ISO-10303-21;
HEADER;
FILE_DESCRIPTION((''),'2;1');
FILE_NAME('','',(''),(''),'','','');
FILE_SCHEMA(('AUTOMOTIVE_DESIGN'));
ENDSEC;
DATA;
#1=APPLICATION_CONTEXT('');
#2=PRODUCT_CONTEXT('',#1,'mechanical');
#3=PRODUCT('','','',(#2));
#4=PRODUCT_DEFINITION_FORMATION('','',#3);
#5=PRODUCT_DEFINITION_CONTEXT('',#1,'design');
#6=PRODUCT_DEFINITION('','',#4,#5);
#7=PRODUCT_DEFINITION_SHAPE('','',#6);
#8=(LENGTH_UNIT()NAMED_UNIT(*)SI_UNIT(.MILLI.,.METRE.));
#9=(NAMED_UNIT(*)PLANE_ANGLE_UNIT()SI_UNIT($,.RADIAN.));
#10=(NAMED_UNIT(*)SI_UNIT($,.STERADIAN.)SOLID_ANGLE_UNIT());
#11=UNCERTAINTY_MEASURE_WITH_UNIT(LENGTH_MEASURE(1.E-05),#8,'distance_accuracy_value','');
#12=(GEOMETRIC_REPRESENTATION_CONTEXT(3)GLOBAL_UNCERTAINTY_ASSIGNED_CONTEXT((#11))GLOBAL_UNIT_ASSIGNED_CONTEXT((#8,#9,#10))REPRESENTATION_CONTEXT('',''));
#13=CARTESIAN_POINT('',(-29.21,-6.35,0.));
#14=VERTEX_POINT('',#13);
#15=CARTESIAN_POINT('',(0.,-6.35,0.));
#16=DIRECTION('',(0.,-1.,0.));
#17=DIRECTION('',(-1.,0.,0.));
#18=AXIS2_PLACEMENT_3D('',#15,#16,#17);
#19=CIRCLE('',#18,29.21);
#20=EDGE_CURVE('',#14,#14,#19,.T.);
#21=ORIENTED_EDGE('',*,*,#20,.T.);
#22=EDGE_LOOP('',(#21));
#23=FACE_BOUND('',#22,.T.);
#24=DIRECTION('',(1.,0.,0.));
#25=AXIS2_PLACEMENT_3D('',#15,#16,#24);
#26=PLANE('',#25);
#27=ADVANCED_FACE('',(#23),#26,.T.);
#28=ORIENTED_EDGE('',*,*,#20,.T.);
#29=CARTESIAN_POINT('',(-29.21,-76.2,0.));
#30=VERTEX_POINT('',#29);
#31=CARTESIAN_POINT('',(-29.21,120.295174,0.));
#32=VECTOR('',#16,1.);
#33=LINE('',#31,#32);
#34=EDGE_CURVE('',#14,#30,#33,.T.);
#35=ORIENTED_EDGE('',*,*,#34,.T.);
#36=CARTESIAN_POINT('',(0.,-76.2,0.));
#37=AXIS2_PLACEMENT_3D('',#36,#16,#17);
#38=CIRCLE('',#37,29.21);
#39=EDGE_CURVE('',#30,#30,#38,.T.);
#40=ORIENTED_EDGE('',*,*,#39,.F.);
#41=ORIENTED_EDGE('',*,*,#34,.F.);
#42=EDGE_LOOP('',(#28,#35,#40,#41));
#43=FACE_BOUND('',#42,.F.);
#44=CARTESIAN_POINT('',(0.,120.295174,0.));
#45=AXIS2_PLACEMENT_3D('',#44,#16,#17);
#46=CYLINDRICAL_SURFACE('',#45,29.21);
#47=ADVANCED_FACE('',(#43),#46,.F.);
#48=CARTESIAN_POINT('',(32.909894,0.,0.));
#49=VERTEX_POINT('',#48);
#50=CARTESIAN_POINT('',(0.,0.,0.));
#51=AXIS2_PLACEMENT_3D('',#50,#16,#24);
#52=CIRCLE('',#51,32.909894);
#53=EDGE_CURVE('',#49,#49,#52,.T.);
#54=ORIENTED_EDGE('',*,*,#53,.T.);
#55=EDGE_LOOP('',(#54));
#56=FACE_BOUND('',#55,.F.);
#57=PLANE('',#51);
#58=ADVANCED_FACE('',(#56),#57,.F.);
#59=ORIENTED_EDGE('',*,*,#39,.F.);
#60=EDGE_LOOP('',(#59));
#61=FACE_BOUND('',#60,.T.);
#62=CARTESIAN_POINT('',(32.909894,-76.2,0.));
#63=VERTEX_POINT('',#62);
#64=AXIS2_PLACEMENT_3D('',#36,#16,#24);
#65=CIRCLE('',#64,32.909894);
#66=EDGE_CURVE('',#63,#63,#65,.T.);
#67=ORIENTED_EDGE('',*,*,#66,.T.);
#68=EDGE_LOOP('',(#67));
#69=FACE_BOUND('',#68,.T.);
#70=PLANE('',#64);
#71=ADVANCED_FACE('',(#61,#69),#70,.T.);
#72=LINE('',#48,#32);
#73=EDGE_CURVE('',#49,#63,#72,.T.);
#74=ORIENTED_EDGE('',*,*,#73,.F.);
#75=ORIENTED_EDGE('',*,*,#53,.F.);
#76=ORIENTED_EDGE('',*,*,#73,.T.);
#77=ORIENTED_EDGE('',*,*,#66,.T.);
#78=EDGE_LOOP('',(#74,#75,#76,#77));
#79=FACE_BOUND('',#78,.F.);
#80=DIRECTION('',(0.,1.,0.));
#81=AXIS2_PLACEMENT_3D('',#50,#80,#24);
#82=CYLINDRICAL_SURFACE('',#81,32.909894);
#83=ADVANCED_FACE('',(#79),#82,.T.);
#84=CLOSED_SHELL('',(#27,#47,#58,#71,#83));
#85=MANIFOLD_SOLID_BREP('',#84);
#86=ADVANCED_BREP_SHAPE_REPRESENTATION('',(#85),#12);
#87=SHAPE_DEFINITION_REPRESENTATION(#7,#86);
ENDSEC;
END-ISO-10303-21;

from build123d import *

# Parameters (mm, degrees)
F0_R     = 32.909894
F2_DEPTH = 76.2
F3_D     = 58.42
F4_R     = 30.278142
F5_DEPTH = 6.35


with BuildPart() as f2:
    # F0 (on Front) → F2 (new body)
    with BuildSketch(Plane.XZ):
        Circle(F0_R)
    extrude(amount=F2_DEPTH)

    # F3 (through all)
    with Locations(Plane(origin=(0, 0, 0), x_dir=(1, 0, 0), z_dir=(0, 1, 0))):
        with Locations((0, 0)):
            Hole(F3_D / 2)

    # F4 (on Front) → F5 (join)
    with BuildSketch(Plane.XZ):
        Circle(F4_R)
    extrude(amount=F5_DEPTH)


solid = f2.part
